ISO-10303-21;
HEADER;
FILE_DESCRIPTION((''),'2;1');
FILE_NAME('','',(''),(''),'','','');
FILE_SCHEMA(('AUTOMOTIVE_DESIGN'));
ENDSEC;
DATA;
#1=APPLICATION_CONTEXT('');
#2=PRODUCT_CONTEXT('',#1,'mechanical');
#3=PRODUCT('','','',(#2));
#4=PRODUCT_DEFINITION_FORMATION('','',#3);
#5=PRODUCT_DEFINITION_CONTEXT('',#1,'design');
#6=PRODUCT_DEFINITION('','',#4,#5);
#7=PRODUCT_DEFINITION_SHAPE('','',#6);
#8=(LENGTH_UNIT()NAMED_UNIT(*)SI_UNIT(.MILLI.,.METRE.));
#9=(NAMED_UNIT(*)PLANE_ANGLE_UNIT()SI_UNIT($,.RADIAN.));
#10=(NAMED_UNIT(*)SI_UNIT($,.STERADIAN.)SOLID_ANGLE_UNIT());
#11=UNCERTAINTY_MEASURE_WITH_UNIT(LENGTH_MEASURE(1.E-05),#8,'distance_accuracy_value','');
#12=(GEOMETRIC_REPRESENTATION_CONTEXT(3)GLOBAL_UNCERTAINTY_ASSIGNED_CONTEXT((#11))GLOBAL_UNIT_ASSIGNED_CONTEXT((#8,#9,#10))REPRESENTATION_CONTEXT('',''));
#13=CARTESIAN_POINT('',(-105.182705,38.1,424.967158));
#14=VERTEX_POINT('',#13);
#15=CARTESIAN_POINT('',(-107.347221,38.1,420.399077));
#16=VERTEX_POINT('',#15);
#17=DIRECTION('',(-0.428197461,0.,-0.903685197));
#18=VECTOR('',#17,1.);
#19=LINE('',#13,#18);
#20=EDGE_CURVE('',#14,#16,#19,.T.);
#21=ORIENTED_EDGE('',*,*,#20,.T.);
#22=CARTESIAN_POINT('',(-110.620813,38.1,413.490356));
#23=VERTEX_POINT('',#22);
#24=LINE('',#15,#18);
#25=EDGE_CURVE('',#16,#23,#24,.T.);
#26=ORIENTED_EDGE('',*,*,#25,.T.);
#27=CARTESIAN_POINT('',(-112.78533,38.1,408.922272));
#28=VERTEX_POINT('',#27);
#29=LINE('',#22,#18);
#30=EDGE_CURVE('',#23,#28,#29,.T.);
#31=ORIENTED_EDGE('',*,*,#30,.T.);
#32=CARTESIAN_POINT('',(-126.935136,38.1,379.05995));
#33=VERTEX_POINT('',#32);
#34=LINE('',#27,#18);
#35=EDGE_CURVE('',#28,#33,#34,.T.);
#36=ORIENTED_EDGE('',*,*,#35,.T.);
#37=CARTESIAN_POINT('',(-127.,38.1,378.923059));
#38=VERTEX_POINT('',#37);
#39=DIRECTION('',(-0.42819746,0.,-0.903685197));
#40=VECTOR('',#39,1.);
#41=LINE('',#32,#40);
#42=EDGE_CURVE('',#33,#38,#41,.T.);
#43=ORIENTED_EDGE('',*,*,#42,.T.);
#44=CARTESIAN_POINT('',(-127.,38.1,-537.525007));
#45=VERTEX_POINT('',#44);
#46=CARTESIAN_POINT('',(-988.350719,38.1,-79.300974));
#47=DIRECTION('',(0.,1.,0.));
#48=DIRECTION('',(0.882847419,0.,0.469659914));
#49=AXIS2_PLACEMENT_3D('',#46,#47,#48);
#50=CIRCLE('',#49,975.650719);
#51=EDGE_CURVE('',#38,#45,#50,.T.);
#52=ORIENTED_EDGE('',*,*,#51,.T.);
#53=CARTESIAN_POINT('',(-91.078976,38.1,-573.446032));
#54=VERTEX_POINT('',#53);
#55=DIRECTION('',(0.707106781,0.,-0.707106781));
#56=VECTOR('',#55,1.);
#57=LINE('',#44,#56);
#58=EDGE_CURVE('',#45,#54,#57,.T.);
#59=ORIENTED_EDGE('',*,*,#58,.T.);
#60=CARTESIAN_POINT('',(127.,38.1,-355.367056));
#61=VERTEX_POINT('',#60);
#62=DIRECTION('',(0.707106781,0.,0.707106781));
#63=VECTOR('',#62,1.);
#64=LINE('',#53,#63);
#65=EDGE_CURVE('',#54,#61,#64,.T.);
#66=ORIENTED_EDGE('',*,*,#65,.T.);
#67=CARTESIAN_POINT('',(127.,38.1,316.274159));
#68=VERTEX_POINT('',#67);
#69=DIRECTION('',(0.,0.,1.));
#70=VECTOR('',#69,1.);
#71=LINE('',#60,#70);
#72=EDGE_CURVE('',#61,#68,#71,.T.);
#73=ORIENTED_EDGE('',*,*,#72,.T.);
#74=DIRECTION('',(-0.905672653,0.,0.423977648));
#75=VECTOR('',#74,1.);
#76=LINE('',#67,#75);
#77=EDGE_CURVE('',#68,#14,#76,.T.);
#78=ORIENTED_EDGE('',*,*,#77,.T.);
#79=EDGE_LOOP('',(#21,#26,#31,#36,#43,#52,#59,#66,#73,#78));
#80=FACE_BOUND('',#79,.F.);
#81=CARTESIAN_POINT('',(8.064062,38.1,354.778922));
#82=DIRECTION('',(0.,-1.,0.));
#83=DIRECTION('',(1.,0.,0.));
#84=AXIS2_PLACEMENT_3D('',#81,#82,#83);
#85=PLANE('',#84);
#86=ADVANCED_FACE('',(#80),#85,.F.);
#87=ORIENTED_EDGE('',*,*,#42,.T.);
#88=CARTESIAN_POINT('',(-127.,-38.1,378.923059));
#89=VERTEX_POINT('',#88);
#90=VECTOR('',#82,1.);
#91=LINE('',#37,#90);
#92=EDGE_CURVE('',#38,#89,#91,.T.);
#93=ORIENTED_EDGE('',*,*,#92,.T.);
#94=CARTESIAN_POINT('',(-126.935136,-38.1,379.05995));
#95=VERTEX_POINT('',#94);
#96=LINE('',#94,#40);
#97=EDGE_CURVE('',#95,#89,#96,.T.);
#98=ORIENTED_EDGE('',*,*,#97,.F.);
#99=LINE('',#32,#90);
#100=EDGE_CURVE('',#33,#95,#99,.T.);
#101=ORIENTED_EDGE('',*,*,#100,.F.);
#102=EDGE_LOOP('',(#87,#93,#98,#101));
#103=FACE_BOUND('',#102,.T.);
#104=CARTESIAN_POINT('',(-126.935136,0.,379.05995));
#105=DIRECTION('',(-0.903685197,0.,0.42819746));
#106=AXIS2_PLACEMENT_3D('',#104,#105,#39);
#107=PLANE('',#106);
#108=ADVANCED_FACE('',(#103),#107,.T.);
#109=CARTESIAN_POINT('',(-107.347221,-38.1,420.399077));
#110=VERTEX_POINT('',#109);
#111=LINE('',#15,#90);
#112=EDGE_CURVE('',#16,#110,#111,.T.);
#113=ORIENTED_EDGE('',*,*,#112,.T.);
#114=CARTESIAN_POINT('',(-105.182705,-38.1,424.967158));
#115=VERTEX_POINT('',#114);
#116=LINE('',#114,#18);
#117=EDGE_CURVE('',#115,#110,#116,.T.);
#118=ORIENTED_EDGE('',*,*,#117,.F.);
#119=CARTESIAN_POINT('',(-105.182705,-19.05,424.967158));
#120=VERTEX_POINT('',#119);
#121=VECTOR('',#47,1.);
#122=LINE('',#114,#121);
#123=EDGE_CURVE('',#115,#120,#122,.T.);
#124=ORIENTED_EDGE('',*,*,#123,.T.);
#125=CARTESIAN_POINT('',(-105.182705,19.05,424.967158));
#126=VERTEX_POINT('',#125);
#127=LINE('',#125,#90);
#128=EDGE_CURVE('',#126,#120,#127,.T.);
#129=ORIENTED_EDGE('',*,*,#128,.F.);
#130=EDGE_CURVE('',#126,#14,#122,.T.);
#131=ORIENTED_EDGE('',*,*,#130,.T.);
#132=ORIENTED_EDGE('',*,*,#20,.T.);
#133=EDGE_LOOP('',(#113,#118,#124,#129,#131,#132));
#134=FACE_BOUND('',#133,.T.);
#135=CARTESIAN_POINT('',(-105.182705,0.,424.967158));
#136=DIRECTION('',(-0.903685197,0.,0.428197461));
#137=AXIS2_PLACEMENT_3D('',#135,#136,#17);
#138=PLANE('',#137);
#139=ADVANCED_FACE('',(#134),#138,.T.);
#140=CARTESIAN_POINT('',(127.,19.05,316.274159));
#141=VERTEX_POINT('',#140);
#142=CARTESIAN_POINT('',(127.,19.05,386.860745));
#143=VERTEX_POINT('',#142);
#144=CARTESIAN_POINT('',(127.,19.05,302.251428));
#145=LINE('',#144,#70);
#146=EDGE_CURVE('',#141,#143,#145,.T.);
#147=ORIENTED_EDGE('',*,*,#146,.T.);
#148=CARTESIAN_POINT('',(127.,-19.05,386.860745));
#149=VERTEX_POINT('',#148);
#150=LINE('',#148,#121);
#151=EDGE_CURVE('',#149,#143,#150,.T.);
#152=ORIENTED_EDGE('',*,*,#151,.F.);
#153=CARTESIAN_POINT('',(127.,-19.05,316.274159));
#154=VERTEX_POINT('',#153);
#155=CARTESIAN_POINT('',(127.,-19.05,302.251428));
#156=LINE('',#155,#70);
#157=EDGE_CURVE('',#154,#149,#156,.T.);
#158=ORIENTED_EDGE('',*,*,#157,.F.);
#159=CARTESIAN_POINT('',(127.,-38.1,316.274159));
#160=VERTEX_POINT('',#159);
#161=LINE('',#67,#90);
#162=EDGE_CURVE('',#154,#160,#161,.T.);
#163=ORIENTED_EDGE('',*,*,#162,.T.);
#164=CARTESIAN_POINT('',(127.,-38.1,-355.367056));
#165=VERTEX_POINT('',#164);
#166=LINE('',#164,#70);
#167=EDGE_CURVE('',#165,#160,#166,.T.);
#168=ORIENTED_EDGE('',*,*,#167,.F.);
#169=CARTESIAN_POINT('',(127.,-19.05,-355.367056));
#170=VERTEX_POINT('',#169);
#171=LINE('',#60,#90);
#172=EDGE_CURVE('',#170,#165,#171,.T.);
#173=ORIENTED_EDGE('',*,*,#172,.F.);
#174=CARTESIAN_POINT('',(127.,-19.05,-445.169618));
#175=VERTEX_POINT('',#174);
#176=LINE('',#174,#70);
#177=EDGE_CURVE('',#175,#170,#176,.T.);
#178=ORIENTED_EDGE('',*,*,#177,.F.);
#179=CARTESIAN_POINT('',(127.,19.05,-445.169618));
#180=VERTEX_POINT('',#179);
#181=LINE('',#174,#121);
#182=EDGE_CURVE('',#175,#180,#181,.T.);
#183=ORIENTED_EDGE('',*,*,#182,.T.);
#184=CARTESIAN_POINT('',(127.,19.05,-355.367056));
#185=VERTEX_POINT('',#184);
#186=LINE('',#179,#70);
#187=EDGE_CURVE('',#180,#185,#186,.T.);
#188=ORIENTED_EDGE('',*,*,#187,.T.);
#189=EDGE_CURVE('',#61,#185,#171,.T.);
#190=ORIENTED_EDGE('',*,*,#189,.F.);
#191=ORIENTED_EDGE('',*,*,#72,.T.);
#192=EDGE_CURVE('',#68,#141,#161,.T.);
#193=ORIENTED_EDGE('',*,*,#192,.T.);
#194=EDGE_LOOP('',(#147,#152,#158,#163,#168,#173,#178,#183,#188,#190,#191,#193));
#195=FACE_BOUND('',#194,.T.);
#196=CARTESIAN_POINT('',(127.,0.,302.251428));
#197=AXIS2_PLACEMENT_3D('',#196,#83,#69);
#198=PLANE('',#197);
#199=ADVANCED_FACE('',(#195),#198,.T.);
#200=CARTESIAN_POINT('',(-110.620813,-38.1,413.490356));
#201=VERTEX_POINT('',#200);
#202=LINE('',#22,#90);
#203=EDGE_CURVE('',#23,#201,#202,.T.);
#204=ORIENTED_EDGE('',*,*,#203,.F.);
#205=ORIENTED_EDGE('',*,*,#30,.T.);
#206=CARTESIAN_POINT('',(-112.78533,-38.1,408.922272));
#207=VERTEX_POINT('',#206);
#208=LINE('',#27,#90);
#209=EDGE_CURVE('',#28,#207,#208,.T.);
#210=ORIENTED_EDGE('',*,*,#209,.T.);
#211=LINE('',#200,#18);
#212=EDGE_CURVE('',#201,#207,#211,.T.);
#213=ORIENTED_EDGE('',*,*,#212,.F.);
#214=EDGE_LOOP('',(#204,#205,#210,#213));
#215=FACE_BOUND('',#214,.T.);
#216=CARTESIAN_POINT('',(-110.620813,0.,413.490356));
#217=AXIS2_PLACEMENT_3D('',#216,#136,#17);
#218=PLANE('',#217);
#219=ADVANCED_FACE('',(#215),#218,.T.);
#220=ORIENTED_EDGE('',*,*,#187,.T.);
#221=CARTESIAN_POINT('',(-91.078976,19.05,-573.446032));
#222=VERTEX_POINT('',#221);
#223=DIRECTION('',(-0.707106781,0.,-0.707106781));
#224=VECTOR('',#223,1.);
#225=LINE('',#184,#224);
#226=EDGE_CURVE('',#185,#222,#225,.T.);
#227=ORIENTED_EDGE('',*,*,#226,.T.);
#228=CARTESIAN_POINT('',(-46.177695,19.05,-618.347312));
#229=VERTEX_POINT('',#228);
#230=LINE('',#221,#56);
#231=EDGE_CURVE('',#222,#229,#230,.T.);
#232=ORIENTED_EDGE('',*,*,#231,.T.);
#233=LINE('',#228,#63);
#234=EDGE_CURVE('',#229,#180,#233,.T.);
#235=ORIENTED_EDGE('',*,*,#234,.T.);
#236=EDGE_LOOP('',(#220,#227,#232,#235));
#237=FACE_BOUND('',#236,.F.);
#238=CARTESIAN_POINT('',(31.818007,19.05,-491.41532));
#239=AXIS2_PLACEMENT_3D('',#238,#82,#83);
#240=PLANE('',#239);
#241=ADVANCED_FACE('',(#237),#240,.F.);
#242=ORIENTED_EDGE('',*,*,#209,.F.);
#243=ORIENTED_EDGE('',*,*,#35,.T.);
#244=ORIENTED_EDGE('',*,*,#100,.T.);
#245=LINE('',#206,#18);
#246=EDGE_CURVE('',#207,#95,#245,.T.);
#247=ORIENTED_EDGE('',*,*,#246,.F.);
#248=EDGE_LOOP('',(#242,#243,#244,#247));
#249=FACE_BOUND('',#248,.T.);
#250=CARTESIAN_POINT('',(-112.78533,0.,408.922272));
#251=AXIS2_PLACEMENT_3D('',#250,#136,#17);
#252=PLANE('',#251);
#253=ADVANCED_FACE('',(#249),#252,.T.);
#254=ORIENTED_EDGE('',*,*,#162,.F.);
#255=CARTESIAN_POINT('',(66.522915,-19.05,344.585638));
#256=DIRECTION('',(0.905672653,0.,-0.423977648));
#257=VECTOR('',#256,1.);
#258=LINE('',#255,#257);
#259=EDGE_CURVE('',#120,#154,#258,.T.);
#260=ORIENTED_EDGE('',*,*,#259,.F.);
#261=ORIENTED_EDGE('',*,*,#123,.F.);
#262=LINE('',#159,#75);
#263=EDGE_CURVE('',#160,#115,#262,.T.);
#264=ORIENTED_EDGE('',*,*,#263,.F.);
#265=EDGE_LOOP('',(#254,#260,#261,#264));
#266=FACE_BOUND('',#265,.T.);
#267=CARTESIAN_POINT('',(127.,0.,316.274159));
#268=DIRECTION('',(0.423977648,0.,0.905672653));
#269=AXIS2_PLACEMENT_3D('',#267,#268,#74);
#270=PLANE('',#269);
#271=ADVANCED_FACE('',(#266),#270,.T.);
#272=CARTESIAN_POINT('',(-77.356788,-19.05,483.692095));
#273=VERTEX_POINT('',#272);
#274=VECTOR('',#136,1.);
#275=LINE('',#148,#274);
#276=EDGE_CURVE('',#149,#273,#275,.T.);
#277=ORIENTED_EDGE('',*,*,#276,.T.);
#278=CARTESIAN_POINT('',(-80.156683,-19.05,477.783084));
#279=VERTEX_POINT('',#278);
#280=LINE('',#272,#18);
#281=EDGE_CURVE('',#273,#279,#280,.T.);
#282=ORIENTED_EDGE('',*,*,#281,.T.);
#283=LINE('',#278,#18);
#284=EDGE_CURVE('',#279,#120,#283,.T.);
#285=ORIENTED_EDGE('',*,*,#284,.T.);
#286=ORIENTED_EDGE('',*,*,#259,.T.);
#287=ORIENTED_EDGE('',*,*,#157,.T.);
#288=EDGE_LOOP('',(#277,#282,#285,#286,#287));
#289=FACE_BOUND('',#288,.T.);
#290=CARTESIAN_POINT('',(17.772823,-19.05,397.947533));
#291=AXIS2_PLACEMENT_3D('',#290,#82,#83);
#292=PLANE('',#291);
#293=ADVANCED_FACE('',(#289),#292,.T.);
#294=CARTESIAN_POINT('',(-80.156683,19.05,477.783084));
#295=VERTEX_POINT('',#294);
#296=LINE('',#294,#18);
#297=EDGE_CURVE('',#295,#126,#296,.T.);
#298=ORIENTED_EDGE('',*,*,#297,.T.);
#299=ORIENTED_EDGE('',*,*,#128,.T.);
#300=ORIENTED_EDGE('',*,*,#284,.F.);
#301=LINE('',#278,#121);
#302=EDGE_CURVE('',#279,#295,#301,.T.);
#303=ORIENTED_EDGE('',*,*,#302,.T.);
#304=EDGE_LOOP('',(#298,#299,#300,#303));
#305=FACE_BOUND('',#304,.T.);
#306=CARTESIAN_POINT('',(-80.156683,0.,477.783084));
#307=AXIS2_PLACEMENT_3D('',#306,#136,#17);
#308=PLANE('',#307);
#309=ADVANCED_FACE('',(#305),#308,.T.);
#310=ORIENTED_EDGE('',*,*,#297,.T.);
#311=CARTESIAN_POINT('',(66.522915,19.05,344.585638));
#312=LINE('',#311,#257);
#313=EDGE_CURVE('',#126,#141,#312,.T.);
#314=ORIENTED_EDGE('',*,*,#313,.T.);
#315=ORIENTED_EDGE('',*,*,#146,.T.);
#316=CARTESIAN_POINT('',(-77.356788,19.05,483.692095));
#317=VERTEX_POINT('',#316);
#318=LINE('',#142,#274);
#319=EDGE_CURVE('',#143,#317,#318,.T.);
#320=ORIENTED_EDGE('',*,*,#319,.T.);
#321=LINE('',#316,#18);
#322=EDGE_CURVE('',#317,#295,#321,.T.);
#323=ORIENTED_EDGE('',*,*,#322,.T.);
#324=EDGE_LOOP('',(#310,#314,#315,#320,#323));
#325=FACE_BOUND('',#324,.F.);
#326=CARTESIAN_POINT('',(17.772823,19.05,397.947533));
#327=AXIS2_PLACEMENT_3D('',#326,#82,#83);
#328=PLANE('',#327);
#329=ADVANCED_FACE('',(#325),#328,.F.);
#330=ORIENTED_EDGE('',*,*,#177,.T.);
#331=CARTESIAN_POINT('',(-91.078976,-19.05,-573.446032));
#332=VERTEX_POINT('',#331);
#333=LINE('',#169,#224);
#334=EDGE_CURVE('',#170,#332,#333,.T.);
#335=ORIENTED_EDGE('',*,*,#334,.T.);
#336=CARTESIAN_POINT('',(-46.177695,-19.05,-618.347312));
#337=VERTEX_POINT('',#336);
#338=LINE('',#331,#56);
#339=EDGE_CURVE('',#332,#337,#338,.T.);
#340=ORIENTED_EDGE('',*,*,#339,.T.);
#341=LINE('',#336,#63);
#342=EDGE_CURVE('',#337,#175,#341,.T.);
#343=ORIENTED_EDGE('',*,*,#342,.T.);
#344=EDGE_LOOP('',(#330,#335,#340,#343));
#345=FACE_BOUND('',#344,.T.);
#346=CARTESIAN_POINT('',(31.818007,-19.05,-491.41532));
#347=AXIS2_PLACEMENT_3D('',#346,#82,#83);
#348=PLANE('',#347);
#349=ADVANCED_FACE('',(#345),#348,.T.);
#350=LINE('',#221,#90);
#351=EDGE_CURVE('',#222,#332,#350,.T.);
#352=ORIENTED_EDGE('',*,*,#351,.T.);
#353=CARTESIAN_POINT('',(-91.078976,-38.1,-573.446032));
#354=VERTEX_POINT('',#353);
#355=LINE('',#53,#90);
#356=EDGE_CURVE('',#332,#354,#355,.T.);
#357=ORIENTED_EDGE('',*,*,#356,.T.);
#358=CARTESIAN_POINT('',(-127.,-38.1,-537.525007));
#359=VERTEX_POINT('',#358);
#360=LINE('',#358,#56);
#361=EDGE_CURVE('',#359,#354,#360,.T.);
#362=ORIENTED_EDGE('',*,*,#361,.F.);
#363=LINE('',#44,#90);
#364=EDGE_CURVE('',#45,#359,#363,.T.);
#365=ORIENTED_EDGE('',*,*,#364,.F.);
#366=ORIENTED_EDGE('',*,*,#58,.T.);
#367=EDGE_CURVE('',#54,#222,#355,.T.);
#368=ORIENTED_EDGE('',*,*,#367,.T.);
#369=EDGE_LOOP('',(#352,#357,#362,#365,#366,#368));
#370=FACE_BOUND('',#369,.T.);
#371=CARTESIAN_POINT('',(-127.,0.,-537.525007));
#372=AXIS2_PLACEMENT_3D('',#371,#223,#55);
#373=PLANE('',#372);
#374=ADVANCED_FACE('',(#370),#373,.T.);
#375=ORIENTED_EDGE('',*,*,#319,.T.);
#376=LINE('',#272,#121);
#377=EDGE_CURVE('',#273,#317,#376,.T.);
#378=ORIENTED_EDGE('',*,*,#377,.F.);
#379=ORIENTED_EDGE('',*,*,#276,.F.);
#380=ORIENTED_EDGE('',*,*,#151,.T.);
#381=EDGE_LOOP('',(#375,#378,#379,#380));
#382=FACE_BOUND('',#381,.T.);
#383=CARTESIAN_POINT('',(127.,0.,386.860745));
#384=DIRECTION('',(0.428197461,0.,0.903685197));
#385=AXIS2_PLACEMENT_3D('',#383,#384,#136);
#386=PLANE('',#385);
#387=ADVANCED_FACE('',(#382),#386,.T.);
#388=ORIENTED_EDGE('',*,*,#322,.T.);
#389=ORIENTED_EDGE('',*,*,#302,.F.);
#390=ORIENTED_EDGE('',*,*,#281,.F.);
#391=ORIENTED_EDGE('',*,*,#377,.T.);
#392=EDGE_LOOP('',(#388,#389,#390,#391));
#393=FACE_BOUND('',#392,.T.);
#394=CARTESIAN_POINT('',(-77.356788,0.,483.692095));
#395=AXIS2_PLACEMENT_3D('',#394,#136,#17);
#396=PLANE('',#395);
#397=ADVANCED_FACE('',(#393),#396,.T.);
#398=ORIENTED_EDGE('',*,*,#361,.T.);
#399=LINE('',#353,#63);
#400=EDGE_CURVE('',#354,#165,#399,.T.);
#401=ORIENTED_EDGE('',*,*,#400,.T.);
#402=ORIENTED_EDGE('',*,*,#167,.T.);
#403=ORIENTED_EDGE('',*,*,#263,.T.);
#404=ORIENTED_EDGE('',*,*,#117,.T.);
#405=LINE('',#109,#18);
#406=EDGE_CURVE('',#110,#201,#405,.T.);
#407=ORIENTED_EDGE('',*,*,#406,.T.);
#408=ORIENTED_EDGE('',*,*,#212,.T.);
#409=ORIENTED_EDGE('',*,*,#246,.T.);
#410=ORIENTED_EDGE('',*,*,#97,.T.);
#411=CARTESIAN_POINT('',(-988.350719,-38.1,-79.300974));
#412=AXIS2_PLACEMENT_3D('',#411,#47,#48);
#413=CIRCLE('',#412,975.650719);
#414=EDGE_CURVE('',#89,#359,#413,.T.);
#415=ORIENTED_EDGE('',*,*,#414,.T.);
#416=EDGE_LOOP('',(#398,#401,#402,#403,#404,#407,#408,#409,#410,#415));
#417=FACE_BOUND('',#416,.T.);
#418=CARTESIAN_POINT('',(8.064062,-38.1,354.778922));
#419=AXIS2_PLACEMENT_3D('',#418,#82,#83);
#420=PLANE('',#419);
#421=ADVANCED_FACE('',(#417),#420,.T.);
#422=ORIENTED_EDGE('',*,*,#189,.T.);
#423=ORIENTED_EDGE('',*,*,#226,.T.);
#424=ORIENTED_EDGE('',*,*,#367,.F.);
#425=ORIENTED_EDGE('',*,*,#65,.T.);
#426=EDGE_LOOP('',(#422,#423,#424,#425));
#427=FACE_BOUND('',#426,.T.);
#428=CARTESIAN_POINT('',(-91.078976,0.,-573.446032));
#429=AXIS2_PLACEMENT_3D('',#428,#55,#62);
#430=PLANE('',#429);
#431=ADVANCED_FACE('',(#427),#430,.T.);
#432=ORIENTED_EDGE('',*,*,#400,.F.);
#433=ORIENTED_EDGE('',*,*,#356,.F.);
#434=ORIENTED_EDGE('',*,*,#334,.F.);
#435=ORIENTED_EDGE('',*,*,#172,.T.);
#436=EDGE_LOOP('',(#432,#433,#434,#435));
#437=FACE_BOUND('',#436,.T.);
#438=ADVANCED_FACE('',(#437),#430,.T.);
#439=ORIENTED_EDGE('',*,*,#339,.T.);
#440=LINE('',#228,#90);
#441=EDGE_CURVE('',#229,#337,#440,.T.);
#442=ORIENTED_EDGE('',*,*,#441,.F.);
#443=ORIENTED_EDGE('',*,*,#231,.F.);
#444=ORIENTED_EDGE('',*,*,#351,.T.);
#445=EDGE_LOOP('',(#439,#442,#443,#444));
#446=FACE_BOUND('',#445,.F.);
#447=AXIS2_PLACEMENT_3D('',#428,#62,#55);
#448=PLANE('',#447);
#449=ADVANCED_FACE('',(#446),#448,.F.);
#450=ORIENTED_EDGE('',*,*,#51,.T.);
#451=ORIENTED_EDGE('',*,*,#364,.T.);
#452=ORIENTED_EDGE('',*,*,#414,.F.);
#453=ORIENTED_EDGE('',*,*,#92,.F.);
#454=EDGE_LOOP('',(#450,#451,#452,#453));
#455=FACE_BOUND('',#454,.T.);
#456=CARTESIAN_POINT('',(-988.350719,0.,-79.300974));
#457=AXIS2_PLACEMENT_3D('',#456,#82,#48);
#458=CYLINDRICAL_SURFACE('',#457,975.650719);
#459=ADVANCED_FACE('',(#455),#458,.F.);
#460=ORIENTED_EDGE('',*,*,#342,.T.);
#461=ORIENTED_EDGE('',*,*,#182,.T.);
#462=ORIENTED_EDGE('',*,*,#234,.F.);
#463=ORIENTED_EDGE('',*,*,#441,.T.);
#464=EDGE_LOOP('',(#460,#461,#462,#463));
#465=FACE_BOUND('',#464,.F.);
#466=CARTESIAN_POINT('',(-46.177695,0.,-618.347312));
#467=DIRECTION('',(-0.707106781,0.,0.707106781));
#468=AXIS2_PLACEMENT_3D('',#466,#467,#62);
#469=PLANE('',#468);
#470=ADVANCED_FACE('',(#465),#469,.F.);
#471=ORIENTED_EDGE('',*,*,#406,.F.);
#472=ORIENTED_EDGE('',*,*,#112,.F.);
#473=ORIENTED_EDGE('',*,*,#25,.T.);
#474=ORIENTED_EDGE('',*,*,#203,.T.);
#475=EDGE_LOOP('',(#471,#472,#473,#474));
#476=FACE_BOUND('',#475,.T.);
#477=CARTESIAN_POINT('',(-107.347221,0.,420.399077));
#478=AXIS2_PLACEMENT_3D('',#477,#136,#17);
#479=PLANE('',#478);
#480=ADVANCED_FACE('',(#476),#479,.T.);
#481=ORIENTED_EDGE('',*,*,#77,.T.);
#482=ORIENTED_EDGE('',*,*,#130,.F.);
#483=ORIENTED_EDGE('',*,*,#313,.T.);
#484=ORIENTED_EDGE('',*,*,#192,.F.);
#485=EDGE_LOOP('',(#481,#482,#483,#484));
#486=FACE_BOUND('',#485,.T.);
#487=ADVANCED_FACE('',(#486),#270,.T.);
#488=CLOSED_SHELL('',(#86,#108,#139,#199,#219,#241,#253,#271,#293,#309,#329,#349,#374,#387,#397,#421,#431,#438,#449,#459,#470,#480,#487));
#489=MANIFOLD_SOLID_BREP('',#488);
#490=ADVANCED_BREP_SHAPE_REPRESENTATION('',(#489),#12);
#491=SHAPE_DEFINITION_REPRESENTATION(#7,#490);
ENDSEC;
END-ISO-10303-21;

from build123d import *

# Parameters (mm, degrees)
F1_DEPTH = 38.1
F2_DEPTH = 19.05


with BuildPart() as f1:
    # F0 (on Front) → F1 (new body, symmetric)
    with BuildSketch(Plane.XZ):
        Polygon((-110.6208127871, 413.4903560323), (-112.7853297752, 408.9222720518), (127, 295.3036472591), (127, 302.2514283657), align=None)
        Polygon((127, -283.5250073743), (-127, -537.5250073743), (-91.0789755157, -573.4460318585), (127, -355.3670563428), align=None)
        with BuildLine():
            Line((-126.9351360354, 379.0599500378), (-127, 378.9230585098))
            ThreePointArc((-127, 378.9230585098), (-12.7, -79.3009744322), (-127, -537.5250073743))
            Line((-127, -537.5250073743), (127, -283.5250073743))
            Line((127, -283.5250073743), (127, 295.3036472591))
            Line((127, 295.3036472591), (-112.7853297752, 408.9222720518))
            Line((-112.7853297752, 408.9222720518), (-126.9351360354, 379.0599500378))
        make_face()
        Polygon((-107.3472207942, 420.3990766491), (-110.6208127871, 413.4903560323), (127, 302.2514283657), (127, 309.5502853394), align=None)
        Polygon((127, 309.5502853394), (127, 316.2741585044), (-105.1827050376, 424.9671580305), (-107.3472207942, 420.3990766491), align=None)
    extrude(amount=F1_DEPTH, both=True)

    # F0 (on Front) → F2 (join, symmetric)
    with BuildSketch(Plane.XZ):
        Polygon((127, -355.3670563428), (-91.0789755157, -573.4460318585), (-46.1776949104, -618.3473124639), (127, -445.1696175535), align=None)
        Polygon((127, 316.2741585044), (127, 379.6250462127), (-80.1566832786, 477.7830840409), (-105.1827050376, 424.9671580305), align=None)
        Polygon((-107.3472207942, 420.3990766491), (-110.6208127871, 413.4903560323), (127, 302.2514283657), (127, 309.5502853394), align=None)
        Polygon((127, 309.5502853394), (127, 316.2741585044), (-105.1827050376, 424.9671580305), (-107.3472207942, 420.3990766491), align=None)
        Polygon((127, 379.6250462127), (127, 386.8607449079), (-77.3567883787, 483.6920952011), (-80.1566832786, 477.7830840409), align=None)
    extrude(amount=F2_DEPTH, both=True)


solid = f1.part
